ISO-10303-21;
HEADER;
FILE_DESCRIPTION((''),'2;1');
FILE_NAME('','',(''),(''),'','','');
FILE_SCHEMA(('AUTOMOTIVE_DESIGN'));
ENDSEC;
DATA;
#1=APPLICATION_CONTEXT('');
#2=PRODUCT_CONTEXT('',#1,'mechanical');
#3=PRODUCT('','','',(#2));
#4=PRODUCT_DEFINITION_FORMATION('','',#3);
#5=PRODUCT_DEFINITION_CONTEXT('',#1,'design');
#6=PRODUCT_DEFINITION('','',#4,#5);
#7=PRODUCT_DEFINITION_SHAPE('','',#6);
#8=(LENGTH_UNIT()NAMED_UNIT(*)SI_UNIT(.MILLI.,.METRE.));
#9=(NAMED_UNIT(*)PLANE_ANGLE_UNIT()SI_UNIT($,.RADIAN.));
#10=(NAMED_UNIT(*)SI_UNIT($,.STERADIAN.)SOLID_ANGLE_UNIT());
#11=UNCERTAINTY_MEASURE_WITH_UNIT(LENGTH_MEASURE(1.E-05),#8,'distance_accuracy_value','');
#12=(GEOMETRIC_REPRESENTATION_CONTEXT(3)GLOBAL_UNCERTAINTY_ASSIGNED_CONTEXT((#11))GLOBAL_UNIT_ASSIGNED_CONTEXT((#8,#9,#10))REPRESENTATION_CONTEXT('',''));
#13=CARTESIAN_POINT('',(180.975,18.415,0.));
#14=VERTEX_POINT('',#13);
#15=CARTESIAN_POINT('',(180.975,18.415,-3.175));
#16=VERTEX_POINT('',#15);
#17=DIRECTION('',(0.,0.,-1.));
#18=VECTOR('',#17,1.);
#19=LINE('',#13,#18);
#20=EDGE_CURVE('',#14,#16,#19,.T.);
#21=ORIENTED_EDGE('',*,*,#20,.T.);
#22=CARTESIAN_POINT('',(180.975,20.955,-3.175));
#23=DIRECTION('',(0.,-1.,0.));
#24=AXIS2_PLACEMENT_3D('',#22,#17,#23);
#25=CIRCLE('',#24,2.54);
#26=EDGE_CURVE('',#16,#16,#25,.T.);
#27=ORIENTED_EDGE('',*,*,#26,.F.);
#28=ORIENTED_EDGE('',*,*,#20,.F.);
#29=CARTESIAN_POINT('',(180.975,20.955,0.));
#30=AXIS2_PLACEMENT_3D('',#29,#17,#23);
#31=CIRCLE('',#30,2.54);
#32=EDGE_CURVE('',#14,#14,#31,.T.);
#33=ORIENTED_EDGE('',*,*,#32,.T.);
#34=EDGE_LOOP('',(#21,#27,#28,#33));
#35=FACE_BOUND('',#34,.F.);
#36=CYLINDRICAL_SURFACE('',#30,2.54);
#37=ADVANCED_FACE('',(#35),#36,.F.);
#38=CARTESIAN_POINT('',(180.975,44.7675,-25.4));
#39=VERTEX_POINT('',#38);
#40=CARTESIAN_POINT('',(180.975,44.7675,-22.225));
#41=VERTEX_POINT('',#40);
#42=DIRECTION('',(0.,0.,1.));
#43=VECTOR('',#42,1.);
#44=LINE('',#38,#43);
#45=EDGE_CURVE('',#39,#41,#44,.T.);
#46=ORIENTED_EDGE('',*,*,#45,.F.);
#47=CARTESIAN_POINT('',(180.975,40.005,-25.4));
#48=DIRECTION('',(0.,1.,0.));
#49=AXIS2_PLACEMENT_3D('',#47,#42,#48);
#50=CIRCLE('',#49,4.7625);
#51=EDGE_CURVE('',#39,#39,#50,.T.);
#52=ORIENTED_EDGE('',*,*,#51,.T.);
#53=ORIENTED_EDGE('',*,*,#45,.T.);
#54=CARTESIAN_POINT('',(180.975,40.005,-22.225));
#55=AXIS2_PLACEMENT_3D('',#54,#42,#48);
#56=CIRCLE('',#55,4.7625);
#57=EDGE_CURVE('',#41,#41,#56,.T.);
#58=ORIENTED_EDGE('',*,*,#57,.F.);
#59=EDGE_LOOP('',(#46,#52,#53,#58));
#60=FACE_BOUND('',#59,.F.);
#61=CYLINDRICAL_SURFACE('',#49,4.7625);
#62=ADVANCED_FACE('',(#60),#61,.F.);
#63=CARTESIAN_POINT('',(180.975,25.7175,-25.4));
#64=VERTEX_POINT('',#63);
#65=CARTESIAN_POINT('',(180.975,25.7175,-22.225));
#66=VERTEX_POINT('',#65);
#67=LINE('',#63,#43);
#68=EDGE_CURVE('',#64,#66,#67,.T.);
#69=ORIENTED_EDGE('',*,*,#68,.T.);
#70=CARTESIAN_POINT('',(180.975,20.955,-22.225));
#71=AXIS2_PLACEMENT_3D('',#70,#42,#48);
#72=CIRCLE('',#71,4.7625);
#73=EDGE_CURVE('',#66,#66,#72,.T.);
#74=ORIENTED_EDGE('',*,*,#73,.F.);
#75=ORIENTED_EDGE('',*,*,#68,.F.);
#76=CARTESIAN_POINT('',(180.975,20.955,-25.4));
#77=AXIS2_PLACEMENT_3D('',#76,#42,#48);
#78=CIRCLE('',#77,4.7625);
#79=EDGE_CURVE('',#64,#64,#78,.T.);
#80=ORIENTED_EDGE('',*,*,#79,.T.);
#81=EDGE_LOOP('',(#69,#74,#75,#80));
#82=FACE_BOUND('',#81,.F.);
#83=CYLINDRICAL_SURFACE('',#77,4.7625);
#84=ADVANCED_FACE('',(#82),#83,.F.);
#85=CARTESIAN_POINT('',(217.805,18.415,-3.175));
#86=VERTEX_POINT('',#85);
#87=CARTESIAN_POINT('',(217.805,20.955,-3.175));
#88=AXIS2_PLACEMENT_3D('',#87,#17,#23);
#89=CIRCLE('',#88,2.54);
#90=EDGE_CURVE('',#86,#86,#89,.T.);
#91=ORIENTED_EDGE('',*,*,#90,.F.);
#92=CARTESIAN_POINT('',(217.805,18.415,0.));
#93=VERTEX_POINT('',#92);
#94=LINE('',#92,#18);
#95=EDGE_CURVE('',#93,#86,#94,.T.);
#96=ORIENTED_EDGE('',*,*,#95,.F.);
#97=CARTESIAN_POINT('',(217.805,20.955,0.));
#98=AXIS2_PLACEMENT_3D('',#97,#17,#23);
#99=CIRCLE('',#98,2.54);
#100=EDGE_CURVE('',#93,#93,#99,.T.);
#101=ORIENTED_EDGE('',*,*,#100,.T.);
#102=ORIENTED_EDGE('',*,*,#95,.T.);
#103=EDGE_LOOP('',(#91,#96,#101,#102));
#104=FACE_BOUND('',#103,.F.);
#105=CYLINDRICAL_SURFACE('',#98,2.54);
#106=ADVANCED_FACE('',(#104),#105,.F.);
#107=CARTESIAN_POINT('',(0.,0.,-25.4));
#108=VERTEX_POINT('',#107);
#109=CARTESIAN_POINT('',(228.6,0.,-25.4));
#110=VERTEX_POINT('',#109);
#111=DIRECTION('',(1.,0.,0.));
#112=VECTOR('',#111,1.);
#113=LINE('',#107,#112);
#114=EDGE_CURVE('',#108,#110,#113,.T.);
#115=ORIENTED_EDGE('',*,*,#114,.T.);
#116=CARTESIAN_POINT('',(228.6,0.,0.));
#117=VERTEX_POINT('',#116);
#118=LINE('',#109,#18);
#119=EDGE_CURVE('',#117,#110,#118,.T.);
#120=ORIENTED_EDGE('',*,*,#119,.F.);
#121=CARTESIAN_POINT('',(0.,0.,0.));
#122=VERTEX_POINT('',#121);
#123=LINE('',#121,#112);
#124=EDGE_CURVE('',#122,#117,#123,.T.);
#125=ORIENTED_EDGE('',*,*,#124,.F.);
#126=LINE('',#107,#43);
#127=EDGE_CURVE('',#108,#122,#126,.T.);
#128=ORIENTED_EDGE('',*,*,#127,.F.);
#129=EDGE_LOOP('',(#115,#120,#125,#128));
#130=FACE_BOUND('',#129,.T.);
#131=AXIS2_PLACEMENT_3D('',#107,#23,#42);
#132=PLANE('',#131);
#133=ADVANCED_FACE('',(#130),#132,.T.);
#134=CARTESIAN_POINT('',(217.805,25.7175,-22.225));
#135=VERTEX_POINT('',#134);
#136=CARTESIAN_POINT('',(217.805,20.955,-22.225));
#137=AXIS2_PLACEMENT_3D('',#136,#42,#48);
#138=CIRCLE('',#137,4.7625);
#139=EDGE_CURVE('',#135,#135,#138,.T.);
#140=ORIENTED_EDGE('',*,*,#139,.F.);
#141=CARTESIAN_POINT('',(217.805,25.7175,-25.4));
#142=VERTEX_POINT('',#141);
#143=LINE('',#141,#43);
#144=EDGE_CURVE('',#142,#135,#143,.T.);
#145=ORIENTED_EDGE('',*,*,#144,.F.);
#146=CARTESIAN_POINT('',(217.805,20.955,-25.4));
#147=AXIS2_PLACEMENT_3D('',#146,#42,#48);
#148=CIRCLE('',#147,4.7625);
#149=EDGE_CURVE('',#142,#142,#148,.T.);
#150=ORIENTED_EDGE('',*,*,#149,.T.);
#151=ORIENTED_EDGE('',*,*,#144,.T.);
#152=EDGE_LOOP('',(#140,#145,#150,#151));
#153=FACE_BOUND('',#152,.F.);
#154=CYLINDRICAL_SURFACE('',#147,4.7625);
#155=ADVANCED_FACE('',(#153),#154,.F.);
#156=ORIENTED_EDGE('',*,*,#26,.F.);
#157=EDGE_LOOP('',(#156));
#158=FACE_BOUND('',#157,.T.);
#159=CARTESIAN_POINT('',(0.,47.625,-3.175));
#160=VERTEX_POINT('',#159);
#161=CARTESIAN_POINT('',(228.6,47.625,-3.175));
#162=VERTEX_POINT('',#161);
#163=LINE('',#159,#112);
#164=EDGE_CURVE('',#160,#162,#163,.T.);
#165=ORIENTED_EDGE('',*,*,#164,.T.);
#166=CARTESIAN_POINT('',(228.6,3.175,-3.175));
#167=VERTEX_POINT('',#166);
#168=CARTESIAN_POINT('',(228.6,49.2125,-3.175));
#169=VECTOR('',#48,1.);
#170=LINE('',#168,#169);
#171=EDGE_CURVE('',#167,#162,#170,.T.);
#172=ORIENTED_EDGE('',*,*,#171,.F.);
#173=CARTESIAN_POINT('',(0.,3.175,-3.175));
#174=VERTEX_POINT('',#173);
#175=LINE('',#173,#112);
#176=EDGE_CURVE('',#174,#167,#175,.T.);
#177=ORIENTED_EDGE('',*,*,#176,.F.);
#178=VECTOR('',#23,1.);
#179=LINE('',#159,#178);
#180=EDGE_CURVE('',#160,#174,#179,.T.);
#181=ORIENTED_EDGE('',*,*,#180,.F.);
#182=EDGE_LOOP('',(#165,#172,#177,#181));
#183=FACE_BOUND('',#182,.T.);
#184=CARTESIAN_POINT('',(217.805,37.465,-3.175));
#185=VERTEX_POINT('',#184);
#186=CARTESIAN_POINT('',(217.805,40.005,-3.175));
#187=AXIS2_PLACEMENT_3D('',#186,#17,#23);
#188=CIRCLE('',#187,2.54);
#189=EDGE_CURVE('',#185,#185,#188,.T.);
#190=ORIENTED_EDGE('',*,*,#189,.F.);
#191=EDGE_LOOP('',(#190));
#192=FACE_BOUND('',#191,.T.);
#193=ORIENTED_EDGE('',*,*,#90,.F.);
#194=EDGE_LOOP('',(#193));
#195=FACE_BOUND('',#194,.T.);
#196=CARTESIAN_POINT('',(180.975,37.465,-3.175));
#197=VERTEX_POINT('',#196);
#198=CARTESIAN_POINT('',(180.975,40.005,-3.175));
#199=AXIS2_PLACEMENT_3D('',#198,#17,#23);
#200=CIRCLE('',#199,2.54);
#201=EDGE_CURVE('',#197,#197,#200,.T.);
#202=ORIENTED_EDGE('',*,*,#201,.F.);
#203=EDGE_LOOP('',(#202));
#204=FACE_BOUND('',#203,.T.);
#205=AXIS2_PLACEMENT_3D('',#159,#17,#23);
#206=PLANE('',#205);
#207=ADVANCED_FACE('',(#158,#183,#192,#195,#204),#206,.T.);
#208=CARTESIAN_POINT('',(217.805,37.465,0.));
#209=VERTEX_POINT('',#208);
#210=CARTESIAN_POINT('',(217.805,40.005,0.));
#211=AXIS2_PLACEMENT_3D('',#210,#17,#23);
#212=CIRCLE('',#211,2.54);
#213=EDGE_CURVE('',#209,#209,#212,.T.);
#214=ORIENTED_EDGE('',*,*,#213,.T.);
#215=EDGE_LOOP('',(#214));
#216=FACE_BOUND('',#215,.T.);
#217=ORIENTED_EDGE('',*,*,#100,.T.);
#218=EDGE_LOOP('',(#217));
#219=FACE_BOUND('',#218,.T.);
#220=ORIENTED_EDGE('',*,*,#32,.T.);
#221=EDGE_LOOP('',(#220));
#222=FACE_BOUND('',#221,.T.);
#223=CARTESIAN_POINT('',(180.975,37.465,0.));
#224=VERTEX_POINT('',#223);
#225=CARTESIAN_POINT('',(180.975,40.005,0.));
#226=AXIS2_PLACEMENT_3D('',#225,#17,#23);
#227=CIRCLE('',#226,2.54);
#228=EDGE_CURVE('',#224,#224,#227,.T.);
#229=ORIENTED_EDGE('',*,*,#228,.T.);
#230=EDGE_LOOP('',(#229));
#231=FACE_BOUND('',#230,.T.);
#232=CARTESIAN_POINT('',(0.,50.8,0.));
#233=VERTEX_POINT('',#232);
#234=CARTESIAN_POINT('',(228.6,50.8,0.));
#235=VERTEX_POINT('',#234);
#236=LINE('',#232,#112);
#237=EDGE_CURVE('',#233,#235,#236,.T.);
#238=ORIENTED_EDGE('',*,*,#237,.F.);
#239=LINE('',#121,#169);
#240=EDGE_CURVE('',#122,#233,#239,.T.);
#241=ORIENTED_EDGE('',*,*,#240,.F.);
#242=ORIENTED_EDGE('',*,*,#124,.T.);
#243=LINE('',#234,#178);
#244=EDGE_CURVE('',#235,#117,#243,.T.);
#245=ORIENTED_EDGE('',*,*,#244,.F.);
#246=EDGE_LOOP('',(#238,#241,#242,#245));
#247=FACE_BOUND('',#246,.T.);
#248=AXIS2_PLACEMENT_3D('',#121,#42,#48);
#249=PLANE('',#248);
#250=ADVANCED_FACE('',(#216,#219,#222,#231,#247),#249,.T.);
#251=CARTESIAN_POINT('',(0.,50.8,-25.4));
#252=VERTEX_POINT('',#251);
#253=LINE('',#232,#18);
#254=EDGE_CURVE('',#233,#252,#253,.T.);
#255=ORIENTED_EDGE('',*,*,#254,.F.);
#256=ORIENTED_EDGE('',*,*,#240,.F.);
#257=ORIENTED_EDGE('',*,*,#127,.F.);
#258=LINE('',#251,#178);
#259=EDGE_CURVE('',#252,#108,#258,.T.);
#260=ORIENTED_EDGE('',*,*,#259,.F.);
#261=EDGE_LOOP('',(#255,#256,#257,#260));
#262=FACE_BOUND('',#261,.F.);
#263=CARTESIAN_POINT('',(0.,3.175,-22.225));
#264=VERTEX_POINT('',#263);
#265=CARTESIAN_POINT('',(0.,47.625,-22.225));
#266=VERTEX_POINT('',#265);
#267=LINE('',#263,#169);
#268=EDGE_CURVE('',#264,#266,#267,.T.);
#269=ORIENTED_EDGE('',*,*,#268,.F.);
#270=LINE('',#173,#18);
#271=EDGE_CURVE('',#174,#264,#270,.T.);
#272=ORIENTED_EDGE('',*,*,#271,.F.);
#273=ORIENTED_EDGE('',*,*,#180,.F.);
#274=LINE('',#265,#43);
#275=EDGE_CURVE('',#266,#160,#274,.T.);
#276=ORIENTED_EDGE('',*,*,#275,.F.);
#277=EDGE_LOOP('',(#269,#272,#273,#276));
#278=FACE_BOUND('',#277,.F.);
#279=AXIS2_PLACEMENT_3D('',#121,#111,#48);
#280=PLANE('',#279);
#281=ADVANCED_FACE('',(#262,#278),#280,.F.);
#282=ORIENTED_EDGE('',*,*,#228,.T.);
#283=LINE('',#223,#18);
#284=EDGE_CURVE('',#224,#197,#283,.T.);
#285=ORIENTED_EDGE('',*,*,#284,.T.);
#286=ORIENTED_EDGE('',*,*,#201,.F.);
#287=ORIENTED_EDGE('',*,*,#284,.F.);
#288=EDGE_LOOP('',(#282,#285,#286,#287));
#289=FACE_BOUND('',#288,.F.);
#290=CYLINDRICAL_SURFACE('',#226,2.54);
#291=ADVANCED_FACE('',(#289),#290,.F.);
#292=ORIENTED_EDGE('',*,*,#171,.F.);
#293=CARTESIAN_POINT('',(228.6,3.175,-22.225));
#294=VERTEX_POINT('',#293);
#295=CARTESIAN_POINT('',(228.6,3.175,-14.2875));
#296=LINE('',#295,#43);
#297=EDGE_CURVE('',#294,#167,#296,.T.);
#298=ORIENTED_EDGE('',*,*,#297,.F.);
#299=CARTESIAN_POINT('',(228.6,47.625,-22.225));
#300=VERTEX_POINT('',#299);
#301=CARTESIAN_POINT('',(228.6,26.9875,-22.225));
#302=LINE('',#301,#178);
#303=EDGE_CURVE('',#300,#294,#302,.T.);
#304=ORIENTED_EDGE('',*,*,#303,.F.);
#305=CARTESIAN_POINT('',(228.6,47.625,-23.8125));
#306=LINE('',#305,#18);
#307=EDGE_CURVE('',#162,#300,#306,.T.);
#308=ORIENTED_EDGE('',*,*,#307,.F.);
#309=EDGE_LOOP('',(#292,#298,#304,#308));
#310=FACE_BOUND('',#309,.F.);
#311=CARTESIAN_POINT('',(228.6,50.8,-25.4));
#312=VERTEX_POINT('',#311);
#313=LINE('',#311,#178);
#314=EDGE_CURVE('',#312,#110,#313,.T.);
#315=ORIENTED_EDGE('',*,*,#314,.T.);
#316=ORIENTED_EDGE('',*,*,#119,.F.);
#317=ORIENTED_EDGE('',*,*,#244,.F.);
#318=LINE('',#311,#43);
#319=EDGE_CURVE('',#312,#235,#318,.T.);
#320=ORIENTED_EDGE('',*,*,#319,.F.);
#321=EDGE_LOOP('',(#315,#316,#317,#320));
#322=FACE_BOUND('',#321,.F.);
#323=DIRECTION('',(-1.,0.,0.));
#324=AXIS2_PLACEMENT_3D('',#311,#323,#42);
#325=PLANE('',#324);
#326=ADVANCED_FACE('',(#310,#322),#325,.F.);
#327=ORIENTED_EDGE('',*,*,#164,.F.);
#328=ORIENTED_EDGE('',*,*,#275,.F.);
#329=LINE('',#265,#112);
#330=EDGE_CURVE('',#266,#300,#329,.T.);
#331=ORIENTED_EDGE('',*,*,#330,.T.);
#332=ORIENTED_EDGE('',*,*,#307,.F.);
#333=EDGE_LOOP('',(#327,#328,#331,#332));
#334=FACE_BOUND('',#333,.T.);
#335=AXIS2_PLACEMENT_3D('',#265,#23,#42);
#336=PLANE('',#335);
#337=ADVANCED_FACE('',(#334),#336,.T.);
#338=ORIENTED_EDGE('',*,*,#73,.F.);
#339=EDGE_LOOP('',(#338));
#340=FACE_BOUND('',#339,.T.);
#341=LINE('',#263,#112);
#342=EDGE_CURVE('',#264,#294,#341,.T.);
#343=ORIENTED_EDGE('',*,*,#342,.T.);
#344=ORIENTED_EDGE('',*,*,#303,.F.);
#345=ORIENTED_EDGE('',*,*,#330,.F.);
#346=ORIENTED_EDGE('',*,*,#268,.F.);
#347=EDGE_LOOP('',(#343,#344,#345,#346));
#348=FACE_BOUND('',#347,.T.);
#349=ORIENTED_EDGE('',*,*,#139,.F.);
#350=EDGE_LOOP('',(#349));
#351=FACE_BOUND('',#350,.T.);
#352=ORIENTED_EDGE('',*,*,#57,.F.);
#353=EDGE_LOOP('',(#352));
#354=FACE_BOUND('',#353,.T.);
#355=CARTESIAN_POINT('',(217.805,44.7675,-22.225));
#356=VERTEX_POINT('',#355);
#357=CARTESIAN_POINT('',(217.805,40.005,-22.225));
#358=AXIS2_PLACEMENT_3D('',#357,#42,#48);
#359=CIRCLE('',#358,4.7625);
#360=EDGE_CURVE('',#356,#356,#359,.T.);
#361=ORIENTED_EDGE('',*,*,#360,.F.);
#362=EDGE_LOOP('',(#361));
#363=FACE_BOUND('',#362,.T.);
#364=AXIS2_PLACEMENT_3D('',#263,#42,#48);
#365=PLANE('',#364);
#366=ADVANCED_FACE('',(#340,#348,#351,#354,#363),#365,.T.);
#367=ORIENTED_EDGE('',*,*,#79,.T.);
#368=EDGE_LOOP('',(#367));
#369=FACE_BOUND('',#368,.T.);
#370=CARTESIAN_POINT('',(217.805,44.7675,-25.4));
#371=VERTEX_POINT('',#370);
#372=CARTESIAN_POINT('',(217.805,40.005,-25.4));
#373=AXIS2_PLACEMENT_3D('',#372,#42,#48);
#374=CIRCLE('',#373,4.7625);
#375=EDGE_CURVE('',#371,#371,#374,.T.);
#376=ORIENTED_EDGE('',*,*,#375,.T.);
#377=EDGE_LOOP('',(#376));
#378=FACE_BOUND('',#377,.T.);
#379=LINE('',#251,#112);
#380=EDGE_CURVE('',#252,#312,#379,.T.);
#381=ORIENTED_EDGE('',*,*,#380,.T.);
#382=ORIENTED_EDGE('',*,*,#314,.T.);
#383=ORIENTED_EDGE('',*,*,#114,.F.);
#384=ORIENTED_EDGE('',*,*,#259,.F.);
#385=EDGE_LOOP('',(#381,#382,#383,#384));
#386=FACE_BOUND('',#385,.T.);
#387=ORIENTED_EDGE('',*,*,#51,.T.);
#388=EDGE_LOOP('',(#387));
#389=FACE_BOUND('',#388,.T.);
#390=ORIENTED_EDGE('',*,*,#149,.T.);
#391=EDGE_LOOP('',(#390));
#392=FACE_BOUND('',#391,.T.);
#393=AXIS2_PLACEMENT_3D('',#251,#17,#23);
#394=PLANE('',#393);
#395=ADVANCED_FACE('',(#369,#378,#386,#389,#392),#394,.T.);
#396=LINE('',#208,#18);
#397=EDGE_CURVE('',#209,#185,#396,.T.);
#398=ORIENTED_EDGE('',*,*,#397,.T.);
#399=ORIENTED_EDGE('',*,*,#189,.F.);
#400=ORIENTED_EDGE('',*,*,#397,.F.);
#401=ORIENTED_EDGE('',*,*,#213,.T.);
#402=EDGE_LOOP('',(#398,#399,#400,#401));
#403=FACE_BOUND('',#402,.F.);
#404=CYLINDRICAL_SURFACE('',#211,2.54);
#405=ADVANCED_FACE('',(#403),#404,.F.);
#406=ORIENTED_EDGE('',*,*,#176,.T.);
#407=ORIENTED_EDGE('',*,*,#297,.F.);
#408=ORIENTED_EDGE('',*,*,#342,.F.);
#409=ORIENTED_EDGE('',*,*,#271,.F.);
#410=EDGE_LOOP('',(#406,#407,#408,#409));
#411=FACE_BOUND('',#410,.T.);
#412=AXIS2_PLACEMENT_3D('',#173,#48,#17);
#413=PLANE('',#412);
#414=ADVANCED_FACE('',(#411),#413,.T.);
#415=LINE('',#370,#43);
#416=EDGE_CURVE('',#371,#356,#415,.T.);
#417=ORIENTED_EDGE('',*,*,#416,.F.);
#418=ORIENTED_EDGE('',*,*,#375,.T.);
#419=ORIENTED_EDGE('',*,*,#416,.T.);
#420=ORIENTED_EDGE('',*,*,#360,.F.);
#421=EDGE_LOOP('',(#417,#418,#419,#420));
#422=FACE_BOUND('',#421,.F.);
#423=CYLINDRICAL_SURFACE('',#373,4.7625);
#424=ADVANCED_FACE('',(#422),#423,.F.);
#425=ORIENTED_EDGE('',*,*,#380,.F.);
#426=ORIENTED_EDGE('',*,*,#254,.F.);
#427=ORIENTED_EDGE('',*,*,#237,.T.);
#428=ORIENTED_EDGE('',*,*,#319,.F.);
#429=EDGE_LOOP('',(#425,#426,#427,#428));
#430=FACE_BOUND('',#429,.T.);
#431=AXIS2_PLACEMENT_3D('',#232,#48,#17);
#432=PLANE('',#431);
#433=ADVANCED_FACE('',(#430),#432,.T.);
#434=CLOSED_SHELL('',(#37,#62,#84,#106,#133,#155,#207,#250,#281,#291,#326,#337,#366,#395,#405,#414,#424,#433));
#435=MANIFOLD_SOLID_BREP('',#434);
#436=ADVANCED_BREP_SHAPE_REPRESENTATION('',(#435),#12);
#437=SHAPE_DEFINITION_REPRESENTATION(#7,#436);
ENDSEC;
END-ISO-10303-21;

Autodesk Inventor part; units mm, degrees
ref_plane "YZ Plane" through (0, 0, 0) normal (1, 0, 0) x (0, 1, 0)
ref_plane "XZ Plane" through (0, 0, 0) normal (0, 1, 0) x (-1, 0, 0)
ref_plane "XY Plane" through (0, 0, 0) normal (0, 0, 1) x (1, 0, 0)
sketch "Sketch1" plane through (0, 0, 0) normal (1, 0, 0) x (0, 1, 0)
  line L0 (0, 0) -> (50.8, 0)
  line L1 (50.8, 0) -> (50.8, -25.4)
  line L2 (50.8, -25.4) -> (0, -25.4)
  line L3 (0, -25.4) -> (0, 0)
  line L4 (47.625, -22.225) -> (47.625, -3.175)
  line L5 (47.625, -3.175) -> (3.175, -3.175)
  line L6 (3.175, -3.175) -> (3.175, -22.225)
  line L7 (3.175, -22.225) -> (47.625, -22.225)
  dimension "d0" = 50.8
  dimension "d1" = 25.4
  dimension "d2" = 3.175
extrude "Extrusion1" add sketch "Sketch1" along normal blind 685.8
sketch "Sketch2" plane through (0, 50.8, 0) normal (0, 1, 0) x (1, 0, 0)
  line L0 (0, 0) -> (0, 25.4) projected
  line L1 (0, 0) -> (685.8, 0) projected
  line L2 (685.8, 25.4) -> (685.8, 0) projected
  line L3 (0, 25.4) -> (685.8, 25.4) projected
  line L4 (0, 0) -> (685.8, 0) projected
  line L5 (228.6, 0) -> (685.8, 0)
  line L6 (685.8, 0) -> (685.8, 25.4)
  line L7 (685.8, 25.4) -> (228.6, 25.4)
  line L8 (228.6, 25.4) -> (228.6, 0)
extrude "Extrusion2" cut sketch "Sketch2" against normal blind 685.8 contours L8 L3 L2 L1
hole "Hole1" at (217.805, 40.005, 0) direction (0, 0, -1) diameter 5.08 depth 12.7 tip angle 118
hole "Hole2" at (217.805, 20.955, 0) direction (0, 0, -1) diameter 5.08 depth 12.7 tip angle 118
pattern_linear "Rectangular Pattern1" count 2 spacing 36.83 along (-1, 0, 0) of "Hole1"
pattern_linear "Rectangular Pattern2" count 2 spacing 36.83 along (-1, 0, 0) of "Hole2"
hole "Hole3" at (217.805, 40.005, -25.4) direction (0, 0, 1) diameter 9.525 depth 12.7 tip angle 118
pattern_linear "Rectangular Pattern4" count 2 spacing 36.83 along (-1, 0, 0) of "Hole3"
hole "Hole4" at (217.805, 20.955, -25.4) direction (0, 0, 1) diameter 9.525 depth 12.7 tip angle 118
pattern_linear "Rectangular Pattern5" count 2 spacing 36.83 along (-1, 0, 0) of "Hole4"
properties part number "Modified Front Frame 27 in"
